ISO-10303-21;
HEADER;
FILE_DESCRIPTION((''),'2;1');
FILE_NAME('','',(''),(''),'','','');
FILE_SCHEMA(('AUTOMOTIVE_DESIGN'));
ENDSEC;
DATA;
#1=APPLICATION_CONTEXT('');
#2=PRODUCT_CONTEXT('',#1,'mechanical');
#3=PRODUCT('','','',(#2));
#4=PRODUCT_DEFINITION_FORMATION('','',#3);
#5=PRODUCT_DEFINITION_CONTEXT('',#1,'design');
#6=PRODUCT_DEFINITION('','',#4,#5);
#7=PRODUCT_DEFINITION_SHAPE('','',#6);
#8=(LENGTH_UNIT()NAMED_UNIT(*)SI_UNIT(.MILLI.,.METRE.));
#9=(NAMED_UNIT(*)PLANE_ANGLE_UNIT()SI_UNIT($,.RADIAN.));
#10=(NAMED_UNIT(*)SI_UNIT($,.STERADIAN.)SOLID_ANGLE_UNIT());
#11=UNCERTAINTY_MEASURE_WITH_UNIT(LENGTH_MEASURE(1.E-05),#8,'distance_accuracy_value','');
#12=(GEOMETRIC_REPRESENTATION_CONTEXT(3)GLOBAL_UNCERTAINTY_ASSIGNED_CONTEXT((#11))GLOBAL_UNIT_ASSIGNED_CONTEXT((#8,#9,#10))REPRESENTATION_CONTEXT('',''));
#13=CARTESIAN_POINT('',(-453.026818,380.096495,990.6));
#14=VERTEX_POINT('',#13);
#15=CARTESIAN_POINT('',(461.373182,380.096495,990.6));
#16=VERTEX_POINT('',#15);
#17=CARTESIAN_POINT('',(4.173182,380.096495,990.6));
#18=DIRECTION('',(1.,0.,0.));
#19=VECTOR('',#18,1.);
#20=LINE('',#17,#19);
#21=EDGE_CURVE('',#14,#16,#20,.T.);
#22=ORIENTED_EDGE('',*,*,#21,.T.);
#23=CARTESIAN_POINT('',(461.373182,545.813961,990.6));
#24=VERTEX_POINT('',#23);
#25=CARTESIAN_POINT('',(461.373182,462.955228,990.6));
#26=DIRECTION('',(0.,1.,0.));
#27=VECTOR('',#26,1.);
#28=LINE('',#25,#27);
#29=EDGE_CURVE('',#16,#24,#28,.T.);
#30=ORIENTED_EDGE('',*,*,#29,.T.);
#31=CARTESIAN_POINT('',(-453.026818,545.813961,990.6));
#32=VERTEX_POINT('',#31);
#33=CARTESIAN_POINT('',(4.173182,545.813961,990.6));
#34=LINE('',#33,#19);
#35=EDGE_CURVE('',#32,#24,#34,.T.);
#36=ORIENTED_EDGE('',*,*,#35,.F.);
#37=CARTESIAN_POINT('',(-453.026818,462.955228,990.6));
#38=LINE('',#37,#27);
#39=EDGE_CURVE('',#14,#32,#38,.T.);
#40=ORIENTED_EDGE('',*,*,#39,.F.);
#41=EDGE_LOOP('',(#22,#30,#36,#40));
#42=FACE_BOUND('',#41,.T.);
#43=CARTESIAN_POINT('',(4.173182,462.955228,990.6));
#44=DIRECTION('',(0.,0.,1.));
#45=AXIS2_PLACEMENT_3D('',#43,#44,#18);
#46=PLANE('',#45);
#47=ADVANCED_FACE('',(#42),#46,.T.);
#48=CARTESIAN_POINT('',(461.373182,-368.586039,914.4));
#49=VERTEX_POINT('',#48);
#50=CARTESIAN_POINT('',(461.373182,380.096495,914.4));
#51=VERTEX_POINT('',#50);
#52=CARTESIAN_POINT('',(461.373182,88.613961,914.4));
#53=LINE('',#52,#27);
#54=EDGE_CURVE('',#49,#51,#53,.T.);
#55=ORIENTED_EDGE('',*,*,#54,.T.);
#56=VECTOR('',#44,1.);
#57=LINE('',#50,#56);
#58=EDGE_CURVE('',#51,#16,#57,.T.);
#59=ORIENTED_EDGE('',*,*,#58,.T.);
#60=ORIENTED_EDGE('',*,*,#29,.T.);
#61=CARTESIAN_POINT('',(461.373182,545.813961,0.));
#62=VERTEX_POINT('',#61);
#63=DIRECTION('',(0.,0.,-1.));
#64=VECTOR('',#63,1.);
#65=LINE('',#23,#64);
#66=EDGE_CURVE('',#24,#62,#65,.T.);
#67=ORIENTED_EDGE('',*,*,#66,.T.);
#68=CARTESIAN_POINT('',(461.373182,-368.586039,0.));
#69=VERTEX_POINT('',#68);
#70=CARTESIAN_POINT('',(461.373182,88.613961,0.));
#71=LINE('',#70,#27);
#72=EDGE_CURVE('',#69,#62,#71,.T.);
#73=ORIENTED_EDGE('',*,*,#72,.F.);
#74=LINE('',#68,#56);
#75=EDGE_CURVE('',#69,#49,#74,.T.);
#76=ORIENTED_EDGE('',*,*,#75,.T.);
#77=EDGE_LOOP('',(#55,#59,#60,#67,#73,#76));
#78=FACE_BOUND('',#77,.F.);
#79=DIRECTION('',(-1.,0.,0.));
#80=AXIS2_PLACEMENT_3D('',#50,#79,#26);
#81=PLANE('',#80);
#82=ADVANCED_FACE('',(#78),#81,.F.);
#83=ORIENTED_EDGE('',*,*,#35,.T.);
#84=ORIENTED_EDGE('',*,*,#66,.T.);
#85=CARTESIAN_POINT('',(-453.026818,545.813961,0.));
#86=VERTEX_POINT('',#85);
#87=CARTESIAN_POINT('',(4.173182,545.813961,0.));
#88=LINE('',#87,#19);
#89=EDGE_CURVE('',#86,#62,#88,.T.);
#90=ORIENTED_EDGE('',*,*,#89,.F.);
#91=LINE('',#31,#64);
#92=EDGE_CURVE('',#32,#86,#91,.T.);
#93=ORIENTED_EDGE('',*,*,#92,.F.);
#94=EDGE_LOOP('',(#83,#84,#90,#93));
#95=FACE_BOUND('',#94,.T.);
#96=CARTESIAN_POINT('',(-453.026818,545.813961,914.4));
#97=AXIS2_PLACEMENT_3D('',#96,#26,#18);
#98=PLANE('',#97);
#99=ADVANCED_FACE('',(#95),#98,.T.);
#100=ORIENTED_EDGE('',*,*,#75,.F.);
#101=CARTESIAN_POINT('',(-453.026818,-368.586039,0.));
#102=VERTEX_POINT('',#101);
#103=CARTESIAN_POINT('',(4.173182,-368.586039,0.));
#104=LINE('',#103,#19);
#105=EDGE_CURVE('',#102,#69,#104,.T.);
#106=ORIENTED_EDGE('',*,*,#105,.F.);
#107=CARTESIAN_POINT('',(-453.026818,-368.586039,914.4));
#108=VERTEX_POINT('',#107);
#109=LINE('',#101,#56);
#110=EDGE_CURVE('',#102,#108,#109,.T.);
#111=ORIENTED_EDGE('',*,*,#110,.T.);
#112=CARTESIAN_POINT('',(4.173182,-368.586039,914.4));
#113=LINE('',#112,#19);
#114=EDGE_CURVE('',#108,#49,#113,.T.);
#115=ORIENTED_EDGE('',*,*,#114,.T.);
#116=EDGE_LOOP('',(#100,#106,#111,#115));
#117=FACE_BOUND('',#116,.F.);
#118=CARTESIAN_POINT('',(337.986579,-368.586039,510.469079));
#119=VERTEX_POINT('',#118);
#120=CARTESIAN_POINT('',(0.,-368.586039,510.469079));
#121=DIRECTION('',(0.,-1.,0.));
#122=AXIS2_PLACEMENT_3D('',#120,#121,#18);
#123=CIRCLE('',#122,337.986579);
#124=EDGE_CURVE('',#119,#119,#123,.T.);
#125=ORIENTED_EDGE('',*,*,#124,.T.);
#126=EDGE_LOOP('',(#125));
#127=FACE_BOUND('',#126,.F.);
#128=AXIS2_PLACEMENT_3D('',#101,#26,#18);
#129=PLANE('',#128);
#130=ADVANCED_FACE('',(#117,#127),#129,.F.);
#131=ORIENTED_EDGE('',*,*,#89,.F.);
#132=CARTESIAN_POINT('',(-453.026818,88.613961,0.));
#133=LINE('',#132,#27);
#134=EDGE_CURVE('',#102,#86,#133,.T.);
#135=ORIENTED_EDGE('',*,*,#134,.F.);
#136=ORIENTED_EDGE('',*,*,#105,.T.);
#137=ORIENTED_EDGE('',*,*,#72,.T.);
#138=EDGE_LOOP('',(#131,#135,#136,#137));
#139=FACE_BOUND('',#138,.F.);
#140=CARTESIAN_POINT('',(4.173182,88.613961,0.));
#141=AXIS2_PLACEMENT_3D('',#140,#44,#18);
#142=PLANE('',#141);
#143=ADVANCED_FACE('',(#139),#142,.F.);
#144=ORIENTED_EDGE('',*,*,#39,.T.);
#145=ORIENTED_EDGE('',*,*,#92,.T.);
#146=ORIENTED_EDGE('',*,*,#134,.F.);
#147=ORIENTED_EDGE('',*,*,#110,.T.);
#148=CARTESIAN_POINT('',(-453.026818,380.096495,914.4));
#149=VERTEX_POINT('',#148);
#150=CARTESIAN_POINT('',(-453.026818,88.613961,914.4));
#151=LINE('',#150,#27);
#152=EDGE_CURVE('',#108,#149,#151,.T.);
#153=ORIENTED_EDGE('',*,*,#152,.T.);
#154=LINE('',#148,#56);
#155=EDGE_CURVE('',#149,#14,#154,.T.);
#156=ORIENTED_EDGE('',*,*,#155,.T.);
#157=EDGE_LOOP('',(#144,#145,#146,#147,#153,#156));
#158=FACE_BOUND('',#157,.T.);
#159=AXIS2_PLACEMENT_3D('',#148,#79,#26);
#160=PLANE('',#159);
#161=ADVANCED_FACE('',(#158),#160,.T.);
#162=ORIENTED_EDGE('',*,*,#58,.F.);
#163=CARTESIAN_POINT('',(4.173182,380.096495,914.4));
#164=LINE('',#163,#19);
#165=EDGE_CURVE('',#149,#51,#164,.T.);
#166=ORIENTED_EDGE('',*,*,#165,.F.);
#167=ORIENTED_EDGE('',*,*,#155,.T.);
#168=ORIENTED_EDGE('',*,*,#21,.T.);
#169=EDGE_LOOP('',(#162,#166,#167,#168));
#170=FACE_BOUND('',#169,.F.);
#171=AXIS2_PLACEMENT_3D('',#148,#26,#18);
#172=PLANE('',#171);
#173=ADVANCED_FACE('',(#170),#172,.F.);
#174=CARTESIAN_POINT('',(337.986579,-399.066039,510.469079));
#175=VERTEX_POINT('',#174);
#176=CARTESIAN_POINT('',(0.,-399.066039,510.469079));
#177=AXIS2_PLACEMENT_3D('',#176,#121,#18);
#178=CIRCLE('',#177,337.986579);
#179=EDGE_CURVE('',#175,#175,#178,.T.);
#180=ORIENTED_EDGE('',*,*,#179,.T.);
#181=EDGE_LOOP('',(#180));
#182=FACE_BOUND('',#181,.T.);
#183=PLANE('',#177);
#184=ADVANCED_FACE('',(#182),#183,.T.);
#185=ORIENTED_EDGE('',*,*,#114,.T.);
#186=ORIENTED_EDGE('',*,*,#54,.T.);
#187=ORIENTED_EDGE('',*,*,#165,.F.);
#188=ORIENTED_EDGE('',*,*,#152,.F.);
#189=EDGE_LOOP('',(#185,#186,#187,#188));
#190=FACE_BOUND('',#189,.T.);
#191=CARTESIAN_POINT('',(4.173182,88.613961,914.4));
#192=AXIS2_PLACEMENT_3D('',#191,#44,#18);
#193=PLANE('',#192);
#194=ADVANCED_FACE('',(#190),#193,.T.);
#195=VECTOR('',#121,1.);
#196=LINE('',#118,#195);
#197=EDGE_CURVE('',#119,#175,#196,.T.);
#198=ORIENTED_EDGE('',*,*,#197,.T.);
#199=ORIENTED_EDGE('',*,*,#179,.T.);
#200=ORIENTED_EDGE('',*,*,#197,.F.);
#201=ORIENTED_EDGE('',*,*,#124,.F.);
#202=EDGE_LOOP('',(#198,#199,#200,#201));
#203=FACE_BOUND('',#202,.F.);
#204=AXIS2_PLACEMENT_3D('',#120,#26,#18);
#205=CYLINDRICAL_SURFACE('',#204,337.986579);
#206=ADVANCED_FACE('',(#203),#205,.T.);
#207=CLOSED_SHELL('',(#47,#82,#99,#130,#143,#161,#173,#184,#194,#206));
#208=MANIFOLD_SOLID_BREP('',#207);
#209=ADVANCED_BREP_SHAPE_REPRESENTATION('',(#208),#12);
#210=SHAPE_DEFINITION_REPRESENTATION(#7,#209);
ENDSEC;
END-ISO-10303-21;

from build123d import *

# Parameters (mm, degrees)
F0_W     = 914.4
F0_H     = 914.4
F1_DEPTH = 914.4
F2_W     = 914.4
F2_H     = 165.717466
F3_DEPTH = 76.2
F4_R     = 337.986579
F5_DEPTH = 30.48


with BuildPart() as f1:
    # F0 (on Top) → F1 (new body)
    with BuildSketch(Plane.XY):
        with Locations((4.173182, 88.613961)):
            Rectangle(F0_W, F0_H)
    extrude(amount=F1_DEPTH)

    # F2 (on face) → F3 (join)
    with BuildSketch(Plane.XY.offset(914.4)):
        with Locations((4.173182, 462.955228)):
            Rectangle(F2_W, F2_H)
    extrude(amount=F3_DEPTH)

    # F4 (on face) → F5 (join)
    with BuildSketch(Plane.XZ.offset(368.586039)):
        with Locations((0, 510.469079)):
            Circle(F4_R)
    extrude(amount=F5_DEPTH)


solid = f1.part
